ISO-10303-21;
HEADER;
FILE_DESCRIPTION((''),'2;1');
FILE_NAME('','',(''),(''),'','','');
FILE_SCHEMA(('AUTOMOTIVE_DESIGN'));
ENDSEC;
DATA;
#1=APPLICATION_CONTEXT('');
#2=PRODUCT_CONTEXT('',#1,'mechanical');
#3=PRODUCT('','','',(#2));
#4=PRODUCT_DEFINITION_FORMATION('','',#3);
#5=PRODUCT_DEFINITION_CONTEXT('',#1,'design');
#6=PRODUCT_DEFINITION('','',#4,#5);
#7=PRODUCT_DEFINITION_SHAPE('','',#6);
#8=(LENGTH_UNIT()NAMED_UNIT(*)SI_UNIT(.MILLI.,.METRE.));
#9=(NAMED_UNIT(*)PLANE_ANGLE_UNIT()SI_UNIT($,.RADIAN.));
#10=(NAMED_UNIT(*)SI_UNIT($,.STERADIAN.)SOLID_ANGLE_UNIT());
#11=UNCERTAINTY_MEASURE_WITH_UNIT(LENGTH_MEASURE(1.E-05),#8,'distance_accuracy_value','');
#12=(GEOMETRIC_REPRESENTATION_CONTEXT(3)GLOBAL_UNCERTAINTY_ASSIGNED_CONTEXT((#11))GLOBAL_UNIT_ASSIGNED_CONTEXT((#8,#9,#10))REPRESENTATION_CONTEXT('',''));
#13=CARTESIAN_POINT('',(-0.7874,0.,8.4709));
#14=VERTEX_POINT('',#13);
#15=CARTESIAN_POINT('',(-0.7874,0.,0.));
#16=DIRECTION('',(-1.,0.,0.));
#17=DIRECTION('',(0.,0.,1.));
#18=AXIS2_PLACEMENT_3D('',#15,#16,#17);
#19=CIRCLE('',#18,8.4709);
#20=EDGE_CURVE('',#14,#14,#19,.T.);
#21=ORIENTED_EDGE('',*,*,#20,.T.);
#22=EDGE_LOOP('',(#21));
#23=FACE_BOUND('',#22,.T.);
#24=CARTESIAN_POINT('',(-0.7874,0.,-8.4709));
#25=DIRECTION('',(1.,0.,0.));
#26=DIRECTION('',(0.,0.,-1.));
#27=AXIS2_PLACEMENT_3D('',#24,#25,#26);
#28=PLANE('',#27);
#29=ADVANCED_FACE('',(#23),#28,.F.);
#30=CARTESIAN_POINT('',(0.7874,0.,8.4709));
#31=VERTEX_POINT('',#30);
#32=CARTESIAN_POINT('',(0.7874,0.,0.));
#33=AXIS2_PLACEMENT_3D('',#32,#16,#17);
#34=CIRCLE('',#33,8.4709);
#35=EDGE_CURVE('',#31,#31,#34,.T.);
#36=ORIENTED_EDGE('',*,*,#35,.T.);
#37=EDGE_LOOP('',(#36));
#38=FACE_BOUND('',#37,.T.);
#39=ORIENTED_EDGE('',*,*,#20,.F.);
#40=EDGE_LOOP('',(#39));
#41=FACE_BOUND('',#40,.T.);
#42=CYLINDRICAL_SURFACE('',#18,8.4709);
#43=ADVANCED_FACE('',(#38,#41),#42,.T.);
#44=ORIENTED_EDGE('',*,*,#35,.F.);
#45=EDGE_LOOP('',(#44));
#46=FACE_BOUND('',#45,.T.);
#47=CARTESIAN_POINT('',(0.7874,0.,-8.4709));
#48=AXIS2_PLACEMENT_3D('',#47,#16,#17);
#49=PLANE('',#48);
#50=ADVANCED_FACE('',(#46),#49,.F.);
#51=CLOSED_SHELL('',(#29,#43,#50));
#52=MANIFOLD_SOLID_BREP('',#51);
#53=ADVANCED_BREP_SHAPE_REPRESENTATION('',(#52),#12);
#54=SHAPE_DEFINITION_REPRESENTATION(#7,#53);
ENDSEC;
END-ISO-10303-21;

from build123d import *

# Parameters (mm, degrees)
SKETCH1_W = 1.5748
SKETCH1_H = 8.4709


with BuildPart() as part:
    # Sketch1 → Revolve1 (revolve)
    with BuildSketch(Plane(origin=(0, 0, 0), x_dir=(1, 0, 0), z_dir=(0, 1, 0)), mode=Mode.PRIVATE) as revolve1_sk:
        with Locations((0, 4.23545)):
            Rectangle(SKETCH1_W, SKETCH1_H)
    revolve(revolve1_sk.sketch.rotate(Axis((-0.7874, 0, 0), (1, 0, 0)), 180), axis=Axis((-0.7874, 0, 0), (1, 0, 0)))


solid = part.part
